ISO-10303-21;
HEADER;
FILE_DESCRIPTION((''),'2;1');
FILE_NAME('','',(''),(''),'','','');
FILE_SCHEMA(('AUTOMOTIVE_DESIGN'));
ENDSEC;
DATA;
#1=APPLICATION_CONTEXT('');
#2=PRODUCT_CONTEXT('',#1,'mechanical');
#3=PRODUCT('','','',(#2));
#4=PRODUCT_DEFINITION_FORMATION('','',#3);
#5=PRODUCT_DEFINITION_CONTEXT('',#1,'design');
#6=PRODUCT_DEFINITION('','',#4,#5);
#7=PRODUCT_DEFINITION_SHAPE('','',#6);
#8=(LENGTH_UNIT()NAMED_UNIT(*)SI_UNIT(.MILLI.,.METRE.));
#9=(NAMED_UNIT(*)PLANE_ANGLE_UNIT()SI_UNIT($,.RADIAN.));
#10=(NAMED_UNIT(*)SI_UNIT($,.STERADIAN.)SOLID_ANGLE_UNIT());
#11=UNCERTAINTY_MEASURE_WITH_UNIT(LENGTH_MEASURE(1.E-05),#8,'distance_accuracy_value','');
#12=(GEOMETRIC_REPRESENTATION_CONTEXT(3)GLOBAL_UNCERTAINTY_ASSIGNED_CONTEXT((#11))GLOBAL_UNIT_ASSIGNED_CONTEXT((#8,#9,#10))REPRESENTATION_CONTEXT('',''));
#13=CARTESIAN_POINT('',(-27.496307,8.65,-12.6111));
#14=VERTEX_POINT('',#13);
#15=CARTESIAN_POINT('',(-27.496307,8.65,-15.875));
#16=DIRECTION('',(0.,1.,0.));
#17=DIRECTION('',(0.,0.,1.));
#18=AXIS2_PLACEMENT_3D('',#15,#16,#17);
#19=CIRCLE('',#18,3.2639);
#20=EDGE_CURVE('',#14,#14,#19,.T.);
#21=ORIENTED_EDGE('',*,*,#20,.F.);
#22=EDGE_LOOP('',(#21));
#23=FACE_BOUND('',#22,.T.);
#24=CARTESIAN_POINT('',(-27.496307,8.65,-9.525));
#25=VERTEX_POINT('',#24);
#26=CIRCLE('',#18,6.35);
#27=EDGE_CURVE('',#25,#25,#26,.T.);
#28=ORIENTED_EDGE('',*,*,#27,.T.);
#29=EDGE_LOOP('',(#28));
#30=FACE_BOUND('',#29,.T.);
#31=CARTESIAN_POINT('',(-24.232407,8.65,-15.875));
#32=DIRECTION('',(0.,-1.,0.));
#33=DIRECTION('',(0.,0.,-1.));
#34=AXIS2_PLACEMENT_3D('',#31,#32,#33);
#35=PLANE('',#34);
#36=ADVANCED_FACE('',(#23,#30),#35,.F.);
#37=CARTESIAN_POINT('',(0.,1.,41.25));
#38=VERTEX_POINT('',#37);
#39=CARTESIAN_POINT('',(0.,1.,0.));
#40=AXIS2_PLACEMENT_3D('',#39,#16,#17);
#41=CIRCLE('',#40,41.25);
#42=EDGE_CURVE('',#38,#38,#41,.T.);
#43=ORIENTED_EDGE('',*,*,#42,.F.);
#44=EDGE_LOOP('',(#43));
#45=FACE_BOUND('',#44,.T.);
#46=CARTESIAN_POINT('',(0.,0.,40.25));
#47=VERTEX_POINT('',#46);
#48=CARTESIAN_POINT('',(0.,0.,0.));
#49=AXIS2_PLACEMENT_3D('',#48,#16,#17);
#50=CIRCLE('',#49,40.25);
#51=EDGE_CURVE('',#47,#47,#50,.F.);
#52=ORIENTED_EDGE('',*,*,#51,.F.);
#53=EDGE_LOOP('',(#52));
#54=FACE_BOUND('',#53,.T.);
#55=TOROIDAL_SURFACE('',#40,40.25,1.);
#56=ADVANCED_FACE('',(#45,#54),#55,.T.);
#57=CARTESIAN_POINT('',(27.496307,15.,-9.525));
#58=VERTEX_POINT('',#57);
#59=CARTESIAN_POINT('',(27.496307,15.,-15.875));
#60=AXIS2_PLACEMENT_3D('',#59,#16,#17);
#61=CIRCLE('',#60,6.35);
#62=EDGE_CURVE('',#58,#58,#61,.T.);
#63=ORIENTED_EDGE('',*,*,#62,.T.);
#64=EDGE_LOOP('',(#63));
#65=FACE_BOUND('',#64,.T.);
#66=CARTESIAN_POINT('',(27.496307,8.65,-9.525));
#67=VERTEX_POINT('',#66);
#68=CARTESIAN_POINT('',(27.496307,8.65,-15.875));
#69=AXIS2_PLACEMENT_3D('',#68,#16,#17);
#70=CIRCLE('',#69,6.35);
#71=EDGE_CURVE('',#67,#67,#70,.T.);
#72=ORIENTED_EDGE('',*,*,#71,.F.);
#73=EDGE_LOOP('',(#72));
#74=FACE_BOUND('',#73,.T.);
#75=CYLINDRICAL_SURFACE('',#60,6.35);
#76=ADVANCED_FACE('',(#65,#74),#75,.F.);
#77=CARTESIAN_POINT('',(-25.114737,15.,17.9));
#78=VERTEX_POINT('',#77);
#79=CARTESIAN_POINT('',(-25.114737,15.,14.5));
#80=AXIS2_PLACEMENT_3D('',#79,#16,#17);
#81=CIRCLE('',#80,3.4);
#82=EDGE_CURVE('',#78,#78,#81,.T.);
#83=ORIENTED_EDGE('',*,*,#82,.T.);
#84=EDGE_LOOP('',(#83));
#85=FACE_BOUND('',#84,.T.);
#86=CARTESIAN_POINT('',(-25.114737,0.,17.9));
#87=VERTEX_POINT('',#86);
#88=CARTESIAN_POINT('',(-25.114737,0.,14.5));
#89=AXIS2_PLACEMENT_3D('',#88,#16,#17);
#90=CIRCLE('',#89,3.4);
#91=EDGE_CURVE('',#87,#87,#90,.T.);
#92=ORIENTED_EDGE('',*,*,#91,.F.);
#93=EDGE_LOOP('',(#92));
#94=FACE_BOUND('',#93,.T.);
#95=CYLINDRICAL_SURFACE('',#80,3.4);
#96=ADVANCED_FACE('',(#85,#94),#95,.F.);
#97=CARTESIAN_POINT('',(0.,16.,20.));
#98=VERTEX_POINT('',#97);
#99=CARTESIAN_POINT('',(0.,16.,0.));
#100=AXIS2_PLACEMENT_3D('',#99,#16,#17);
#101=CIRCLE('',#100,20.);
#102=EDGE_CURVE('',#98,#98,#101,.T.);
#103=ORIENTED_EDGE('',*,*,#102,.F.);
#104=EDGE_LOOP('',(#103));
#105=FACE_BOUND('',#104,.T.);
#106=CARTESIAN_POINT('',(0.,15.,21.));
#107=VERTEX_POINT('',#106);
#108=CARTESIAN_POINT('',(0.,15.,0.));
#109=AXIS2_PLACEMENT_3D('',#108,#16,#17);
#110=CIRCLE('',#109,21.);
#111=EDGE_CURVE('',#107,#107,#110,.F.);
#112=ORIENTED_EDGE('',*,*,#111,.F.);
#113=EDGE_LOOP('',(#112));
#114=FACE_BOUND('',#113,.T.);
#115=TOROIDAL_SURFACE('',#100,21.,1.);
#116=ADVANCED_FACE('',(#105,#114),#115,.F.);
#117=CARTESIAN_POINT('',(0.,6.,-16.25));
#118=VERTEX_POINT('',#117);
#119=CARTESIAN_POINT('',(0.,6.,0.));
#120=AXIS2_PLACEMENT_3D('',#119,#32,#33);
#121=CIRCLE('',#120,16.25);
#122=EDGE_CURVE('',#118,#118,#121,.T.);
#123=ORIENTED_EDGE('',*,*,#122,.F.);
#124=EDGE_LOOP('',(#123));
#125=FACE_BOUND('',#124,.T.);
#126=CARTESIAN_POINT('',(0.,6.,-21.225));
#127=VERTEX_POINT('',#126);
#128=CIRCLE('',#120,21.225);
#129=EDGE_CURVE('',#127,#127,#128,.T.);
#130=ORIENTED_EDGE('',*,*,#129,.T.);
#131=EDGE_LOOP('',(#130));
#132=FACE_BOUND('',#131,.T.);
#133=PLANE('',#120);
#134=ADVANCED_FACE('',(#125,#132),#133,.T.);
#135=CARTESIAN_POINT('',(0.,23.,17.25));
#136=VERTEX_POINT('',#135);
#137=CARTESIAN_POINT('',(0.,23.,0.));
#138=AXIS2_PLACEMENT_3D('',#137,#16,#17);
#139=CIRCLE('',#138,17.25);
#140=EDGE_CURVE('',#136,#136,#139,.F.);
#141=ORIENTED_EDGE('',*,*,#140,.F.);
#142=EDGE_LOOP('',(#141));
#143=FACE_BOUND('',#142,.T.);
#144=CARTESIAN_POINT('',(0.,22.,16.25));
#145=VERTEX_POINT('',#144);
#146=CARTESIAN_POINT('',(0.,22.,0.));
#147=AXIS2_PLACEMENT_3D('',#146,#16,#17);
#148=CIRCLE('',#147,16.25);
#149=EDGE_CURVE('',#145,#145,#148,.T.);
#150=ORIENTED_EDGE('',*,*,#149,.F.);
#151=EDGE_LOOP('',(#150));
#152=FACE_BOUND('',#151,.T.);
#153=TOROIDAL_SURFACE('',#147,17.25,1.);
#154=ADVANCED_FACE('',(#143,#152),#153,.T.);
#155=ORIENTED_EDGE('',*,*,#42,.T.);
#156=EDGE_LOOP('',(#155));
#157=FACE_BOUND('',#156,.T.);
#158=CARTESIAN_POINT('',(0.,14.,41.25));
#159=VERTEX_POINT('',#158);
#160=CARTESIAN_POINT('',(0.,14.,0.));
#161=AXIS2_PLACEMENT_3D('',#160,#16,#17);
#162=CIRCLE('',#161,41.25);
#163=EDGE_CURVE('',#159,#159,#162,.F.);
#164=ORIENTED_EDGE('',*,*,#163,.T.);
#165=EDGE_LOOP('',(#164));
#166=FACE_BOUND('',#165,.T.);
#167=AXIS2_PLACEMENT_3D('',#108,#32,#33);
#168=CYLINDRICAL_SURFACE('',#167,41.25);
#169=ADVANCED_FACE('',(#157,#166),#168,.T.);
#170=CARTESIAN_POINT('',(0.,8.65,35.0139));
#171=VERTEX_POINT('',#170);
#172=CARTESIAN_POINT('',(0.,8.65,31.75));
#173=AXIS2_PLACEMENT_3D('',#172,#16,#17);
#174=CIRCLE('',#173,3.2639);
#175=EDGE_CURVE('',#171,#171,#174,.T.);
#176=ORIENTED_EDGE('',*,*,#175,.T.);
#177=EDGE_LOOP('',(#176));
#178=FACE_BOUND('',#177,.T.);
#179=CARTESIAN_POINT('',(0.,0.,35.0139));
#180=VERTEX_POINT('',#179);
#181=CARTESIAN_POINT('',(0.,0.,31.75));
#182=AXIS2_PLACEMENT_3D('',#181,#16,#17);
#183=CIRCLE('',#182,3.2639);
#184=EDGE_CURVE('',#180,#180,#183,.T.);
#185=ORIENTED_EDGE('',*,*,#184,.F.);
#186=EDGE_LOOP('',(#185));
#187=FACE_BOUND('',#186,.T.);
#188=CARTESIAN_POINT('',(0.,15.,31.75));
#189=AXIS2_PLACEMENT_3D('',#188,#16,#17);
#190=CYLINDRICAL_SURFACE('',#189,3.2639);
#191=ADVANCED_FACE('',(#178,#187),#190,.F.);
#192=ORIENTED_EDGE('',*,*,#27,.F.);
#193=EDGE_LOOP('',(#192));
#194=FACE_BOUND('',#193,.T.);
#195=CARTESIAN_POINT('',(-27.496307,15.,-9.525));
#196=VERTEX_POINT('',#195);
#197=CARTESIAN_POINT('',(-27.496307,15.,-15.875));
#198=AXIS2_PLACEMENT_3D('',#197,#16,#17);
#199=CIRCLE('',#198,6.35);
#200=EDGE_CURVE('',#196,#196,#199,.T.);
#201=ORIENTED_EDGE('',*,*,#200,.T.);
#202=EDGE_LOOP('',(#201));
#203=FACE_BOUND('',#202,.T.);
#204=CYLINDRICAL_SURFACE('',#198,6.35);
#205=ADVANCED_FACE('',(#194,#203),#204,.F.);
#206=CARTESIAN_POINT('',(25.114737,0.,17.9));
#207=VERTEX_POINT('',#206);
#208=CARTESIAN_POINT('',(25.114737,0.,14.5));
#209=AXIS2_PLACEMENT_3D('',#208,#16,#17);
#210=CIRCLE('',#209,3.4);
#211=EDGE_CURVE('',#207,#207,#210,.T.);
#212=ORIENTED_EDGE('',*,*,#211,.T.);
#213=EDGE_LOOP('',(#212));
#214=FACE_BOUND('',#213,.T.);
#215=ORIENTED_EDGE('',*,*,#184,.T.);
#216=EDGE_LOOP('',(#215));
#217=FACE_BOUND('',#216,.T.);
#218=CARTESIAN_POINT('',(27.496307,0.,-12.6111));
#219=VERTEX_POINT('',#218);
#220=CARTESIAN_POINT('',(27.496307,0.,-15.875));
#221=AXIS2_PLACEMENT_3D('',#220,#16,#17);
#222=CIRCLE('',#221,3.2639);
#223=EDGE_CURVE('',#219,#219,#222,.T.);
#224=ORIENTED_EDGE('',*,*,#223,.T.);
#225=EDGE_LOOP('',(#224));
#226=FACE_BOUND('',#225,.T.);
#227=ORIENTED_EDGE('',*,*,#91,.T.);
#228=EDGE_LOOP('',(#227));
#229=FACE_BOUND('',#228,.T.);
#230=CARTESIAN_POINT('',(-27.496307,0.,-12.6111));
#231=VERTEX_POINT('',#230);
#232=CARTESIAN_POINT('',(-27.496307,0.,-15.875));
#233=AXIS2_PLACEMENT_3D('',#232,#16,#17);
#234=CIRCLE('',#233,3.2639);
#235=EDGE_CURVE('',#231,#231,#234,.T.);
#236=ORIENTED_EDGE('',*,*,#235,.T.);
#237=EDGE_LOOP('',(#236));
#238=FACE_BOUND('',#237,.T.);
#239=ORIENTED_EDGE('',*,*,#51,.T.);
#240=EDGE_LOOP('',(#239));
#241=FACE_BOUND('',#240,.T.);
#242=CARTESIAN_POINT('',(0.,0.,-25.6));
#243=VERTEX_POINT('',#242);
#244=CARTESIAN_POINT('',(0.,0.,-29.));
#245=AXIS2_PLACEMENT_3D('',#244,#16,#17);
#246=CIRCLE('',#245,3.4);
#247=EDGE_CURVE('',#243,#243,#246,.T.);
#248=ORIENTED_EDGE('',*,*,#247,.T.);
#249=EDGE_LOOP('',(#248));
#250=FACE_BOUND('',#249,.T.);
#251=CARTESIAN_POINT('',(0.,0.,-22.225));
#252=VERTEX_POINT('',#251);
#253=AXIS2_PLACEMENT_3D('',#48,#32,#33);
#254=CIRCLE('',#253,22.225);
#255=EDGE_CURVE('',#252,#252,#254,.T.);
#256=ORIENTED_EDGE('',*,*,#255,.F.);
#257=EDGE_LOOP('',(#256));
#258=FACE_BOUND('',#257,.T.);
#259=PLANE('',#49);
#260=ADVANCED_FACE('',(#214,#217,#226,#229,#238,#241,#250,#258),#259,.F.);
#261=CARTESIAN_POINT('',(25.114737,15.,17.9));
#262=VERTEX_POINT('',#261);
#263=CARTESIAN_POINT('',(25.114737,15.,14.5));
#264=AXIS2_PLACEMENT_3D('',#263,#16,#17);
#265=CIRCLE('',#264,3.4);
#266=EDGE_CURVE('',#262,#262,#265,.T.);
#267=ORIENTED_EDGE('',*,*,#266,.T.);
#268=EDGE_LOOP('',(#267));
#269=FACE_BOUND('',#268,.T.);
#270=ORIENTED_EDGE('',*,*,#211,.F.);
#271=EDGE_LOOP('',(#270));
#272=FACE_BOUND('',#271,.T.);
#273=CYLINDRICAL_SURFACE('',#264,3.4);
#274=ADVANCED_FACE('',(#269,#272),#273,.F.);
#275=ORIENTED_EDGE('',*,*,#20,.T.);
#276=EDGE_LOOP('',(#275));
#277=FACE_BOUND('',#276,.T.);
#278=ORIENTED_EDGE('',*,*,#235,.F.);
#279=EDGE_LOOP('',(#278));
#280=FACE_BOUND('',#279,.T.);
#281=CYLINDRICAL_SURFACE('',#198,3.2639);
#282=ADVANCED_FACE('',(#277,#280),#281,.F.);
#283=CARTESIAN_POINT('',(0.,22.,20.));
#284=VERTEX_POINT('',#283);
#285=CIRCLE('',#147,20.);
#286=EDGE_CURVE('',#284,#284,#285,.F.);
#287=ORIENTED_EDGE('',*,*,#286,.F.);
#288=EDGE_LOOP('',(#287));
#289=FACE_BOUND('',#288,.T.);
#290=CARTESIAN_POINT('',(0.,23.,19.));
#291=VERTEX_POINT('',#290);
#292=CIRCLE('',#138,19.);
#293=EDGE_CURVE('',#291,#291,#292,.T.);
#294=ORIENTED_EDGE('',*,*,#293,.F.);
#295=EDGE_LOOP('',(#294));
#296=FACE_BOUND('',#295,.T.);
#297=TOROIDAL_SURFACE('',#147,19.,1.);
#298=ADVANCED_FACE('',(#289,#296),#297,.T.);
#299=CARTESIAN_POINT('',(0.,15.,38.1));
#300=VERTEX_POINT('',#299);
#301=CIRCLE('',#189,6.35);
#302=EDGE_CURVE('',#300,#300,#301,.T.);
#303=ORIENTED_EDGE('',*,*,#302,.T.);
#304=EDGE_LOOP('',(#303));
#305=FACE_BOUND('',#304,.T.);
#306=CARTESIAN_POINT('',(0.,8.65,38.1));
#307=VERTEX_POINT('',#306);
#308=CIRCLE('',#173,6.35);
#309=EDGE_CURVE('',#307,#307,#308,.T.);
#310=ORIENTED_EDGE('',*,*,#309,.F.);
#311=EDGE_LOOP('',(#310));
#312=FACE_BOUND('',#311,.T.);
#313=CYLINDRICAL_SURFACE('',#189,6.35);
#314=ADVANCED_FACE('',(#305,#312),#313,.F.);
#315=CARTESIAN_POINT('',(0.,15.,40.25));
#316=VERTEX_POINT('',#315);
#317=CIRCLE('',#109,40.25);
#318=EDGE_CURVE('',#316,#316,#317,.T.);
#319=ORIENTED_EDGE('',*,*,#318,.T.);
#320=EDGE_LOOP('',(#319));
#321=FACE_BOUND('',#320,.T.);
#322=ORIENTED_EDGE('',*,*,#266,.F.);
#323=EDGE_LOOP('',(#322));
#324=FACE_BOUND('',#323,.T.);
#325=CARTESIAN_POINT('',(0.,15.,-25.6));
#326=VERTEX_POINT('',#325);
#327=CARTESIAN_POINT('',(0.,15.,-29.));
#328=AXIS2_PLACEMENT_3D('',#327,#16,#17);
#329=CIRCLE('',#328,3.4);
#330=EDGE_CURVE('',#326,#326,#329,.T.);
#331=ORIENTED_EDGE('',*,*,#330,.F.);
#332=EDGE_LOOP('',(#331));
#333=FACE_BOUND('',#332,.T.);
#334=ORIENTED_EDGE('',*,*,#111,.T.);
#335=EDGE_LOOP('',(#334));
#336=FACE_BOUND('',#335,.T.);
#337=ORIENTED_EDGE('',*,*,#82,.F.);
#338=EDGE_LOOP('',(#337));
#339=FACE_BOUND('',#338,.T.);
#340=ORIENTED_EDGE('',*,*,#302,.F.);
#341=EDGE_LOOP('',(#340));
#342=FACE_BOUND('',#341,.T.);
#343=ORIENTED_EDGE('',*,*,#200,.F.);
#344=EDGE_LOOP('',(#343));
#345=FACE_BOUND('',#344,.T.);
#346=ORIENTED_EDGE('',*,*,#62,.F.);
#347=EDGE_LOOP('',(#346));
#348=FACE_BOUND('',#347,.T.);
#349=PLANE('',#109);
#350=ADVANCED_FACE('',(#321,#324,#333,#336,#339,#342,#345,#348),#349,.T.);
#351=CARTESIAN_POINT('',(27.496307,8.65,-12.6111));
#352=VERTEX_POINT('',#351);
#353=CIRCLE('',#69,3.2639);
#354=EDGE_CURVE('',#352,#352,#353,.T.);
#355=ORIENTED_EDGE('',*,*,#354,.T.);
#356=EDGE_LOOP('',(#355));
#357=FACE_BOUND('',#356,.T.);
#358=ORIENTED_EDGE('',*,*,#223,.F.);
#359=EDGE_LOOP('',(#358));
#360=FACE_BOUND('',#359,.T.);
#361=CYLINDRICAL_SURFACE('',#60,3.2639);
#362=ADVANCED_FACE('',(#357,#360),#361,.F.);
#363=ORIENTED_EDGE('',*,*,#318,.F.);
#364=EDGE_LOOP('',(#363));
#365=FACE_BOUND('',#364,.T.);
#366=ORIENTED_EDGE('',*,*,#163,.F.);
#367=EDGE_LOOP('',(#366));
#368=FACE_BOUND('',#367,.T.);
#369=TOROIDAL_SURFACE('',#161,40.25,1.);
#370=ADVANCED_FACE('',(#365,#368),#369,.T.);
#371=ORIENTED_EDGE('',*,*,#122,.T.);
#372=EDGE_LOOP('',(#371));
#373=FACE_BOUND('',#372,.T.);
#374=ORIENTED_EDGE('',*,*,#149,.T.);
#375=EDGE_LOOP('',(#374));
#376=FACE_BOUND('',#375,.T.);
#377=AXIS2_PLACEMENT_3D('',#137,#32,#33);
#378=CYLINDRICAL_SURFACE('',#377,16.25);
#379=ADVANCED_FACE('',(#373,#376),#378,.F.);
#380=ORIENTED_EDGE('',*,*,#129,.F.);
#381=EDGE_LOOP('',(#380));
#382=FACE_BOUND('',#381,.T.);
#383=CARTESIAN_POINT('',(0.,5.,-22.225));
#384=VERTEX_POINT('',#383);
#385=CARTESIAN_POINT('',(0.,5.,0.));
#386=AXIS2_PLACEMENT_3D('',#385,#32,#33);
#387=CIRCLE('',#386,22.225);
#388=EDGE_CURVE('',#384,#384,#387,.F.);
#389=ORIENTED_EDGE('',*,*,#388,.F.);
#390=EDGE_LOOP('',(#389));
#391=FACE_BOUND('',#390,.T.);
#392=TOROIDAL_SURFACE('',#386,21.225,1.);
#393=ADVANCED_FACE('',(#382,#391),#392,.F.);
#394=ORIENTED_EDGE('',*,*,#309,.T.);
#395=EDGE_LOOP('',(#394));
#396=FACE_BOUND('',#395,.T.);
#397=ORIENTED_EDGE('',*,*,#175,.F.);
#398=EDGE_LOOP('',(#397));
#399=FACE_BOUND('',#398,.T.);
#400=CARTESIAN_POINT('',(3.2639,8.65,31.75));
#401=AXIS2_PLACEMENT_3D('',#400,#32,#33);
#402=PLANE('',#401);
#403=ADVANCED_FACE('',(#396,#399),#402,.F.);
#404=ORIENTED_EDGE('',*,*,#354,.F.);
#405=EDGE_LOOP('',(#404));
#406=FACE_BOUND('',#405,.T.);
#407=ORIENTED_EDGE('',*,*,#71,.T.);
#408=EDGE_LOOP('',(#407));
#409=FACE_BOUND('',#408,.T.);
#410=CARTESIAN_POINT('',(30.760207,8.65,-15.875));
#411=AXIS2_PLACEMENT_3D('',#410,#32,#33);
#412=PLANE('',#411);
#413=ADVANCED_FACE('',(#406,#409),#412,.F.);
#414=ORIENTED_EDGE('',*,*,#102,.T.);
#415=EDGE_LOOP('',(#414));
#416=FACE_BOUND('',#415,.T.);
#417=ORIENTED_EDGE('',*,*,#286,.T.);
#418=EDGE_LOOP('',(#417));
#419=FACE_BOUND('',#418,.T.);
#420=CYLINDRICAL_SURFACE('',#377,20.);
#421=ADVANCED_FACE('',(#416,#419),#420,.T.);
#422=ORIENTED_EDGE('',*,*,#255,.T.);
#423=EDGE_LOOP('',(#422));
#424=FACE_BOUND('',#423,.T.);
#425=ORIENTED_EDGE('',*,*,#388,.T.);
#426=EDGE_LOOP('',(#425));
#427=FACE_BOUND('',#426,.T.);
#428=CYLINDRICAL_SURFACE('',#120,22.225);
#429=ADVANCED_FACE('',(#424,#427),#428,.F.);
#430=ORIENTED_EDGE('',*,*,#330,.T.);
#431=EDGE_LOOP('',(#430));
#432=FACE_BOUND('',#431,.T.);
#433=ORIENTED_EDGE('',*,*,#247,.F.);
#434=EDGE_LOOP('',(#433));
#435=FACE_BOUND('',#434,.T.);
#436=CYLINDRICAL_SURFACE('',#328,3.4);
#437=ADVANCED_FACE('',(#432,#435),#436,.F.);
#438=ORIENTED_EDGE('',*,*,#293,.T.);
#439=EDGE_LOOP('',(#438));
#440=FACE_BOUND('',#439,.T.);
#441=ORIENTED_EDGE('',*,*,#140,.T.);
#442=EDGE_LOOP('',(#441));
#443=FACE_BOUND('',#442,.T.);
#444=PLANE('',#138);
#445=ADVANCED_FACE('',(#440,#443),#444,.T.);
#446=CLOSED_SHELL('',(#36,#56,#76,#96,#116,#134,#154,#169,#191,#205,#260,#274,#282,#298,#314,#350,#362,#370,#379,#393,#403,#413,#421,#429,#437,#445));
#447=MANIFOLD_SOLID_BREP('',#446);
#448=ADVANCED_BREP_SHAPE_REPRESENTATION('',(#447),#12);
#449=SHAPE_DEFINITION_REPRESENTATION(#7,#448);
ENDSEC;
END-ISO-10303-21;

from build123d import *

# Parameters (mm, degrees)
SKETCH2_R                                            = 41.25
BOSS_EXTRUDE1_DEPTH                                  = 15
SKETCH3_R                                            = 20
SKETCH3_R_2                                          = 16.25
BOSS_EXTRUDE2_DEPTH                                  = 8
SKETCH4_R                                            = 16.25
CUT_EXTRUDE1_DEPTH                                   = 61.233919016
SKETCH5_R                                            = 22.225
SKETCH5_R_2                                          = 16.25
CUT_EXTRUDE2_DEPTH                                   = 6
CBORE_FOR_1_4_BINDING_HEAD_MACHINE_SCREW_D           = 6.5278
CBORE_FOR_1_4_BINDING_HEAD_MACHINE_SCREW_CBORE_D     = 12.7
CBORE_FOR_1_4_BINDING_HEAD_MACHINE_SCREW_CBORE_DEPTH = 6.35
FILLET1_R                                            = 1
M8X1_25_TAPPED_HOLE1_D                               = 6.8


with BuildPart() as part:
    # Sketch2 → Boss-Extrude1 (new body)
    with BuildSketch(Plane(origin=(0, 0, 0), x_dir=(1, 0, 0), z_dir=(0, 1, 0))):
        with Locations(Location((0, 0, 0), (0, 0, 270))):
            Circle(SKETCH2_R)
    extrude(amount=BOSS_EXTRUDE1_DEPTH)

    # Sketch3 → Boss-Extrude2 (add)
    with BuildSketch(Plane(origin=(0, 15, 0), x_dir=(1, 0, 0), z_dir=(0, 1, 0))):
        with Locations(Location((0, 0, 0), (0, 0, 270))):
            Circle(SKETCH3_R)
        with Locations(Location((0, 0, 0), (0, 0, 270))):
            Circle(SKETCH3_R_2, mode=Mode.SUBTRACT)
    extrude(amount=BOSS_EXTRUDE2_DEPTH)

    # Sketch4 → Cut-Extrude1 (cut, through all)
    with BuildSketch(Plane(origin=(0, 15, 0), x_dir=(1, 0, 0), z_dir=(0, 1, 0))):
        with Locations(Location((0, 0, 0), (0, 0, 270))):
            Circle(SKETCH4_R)
    extrude(amount=-CUT_EXTRUDE1_DEPTH, mode=Mode.SUBTRACT)

    # Sketch5 → Cut-Extrude2 (cut)
    with BuildSketch(Plane.XZ):
        with Locations(Location((0, 0, 0), (0, 0, 270))):
            Circle(SKETCH5_R)
        with Locations(Location((0, 0, 0), (0, 0, 270))):
            Circle(SKETCH5_R_2, mode=Mode.SUBTRACT)
    extrude(amount=-CUT_EXTRUDE2_DEPTH, mode=Mode.SUBTRACT)

    # CBORE for 1/4 Binding Head Machine Screw1 (through all)
    with Locations(Plane(origin=(0, 15, 0), x_dir=(1, 0, 0), z_dir=(0, 1, 0))):
        with Locations((27.49630657, 15.875), (0, -31.75), (-27.49630657, 15.875)):
            CounterBoreHole(CBORE_FOR_1_4_BINDING_HEAD_MACHINE_SCREW_D / 2, CBORE_FOR_1_4_BINDING_HEAD_MACHINE_SCREW_CBORE_D / 2, CBORE_FOR_1_4_BINDING_HEAD_MACHINE_SCREW_CBORE_DEPTH)

    # Fillet1
    fillet1_edges = [part.edges().sort_by_distance(p)[0] for p in [
        (0, 0, -41.25),
        (0, 6, 22.225),
        (0, 15, -41.25),
        (0, 23, -20),
        (0, 15, -20),
        (0, 23, -16.25),
    ]]
    fillet(fillet1_edges, radius=FILLET1_R)

    # M8x1.25 Tapped Hole1 (through all)
    with Locations(Plane(origin=(0, 15, 0), x_dir=(1, 0, 0), z_dir=(0, 1, 0))):
        with Locations((0, 29), (25.11473671, -14.5), (-25.11473671, -14.5)):
            Hole(M8X1_25_TAPPED_HOLE1_D / 2)


solid = part.part
